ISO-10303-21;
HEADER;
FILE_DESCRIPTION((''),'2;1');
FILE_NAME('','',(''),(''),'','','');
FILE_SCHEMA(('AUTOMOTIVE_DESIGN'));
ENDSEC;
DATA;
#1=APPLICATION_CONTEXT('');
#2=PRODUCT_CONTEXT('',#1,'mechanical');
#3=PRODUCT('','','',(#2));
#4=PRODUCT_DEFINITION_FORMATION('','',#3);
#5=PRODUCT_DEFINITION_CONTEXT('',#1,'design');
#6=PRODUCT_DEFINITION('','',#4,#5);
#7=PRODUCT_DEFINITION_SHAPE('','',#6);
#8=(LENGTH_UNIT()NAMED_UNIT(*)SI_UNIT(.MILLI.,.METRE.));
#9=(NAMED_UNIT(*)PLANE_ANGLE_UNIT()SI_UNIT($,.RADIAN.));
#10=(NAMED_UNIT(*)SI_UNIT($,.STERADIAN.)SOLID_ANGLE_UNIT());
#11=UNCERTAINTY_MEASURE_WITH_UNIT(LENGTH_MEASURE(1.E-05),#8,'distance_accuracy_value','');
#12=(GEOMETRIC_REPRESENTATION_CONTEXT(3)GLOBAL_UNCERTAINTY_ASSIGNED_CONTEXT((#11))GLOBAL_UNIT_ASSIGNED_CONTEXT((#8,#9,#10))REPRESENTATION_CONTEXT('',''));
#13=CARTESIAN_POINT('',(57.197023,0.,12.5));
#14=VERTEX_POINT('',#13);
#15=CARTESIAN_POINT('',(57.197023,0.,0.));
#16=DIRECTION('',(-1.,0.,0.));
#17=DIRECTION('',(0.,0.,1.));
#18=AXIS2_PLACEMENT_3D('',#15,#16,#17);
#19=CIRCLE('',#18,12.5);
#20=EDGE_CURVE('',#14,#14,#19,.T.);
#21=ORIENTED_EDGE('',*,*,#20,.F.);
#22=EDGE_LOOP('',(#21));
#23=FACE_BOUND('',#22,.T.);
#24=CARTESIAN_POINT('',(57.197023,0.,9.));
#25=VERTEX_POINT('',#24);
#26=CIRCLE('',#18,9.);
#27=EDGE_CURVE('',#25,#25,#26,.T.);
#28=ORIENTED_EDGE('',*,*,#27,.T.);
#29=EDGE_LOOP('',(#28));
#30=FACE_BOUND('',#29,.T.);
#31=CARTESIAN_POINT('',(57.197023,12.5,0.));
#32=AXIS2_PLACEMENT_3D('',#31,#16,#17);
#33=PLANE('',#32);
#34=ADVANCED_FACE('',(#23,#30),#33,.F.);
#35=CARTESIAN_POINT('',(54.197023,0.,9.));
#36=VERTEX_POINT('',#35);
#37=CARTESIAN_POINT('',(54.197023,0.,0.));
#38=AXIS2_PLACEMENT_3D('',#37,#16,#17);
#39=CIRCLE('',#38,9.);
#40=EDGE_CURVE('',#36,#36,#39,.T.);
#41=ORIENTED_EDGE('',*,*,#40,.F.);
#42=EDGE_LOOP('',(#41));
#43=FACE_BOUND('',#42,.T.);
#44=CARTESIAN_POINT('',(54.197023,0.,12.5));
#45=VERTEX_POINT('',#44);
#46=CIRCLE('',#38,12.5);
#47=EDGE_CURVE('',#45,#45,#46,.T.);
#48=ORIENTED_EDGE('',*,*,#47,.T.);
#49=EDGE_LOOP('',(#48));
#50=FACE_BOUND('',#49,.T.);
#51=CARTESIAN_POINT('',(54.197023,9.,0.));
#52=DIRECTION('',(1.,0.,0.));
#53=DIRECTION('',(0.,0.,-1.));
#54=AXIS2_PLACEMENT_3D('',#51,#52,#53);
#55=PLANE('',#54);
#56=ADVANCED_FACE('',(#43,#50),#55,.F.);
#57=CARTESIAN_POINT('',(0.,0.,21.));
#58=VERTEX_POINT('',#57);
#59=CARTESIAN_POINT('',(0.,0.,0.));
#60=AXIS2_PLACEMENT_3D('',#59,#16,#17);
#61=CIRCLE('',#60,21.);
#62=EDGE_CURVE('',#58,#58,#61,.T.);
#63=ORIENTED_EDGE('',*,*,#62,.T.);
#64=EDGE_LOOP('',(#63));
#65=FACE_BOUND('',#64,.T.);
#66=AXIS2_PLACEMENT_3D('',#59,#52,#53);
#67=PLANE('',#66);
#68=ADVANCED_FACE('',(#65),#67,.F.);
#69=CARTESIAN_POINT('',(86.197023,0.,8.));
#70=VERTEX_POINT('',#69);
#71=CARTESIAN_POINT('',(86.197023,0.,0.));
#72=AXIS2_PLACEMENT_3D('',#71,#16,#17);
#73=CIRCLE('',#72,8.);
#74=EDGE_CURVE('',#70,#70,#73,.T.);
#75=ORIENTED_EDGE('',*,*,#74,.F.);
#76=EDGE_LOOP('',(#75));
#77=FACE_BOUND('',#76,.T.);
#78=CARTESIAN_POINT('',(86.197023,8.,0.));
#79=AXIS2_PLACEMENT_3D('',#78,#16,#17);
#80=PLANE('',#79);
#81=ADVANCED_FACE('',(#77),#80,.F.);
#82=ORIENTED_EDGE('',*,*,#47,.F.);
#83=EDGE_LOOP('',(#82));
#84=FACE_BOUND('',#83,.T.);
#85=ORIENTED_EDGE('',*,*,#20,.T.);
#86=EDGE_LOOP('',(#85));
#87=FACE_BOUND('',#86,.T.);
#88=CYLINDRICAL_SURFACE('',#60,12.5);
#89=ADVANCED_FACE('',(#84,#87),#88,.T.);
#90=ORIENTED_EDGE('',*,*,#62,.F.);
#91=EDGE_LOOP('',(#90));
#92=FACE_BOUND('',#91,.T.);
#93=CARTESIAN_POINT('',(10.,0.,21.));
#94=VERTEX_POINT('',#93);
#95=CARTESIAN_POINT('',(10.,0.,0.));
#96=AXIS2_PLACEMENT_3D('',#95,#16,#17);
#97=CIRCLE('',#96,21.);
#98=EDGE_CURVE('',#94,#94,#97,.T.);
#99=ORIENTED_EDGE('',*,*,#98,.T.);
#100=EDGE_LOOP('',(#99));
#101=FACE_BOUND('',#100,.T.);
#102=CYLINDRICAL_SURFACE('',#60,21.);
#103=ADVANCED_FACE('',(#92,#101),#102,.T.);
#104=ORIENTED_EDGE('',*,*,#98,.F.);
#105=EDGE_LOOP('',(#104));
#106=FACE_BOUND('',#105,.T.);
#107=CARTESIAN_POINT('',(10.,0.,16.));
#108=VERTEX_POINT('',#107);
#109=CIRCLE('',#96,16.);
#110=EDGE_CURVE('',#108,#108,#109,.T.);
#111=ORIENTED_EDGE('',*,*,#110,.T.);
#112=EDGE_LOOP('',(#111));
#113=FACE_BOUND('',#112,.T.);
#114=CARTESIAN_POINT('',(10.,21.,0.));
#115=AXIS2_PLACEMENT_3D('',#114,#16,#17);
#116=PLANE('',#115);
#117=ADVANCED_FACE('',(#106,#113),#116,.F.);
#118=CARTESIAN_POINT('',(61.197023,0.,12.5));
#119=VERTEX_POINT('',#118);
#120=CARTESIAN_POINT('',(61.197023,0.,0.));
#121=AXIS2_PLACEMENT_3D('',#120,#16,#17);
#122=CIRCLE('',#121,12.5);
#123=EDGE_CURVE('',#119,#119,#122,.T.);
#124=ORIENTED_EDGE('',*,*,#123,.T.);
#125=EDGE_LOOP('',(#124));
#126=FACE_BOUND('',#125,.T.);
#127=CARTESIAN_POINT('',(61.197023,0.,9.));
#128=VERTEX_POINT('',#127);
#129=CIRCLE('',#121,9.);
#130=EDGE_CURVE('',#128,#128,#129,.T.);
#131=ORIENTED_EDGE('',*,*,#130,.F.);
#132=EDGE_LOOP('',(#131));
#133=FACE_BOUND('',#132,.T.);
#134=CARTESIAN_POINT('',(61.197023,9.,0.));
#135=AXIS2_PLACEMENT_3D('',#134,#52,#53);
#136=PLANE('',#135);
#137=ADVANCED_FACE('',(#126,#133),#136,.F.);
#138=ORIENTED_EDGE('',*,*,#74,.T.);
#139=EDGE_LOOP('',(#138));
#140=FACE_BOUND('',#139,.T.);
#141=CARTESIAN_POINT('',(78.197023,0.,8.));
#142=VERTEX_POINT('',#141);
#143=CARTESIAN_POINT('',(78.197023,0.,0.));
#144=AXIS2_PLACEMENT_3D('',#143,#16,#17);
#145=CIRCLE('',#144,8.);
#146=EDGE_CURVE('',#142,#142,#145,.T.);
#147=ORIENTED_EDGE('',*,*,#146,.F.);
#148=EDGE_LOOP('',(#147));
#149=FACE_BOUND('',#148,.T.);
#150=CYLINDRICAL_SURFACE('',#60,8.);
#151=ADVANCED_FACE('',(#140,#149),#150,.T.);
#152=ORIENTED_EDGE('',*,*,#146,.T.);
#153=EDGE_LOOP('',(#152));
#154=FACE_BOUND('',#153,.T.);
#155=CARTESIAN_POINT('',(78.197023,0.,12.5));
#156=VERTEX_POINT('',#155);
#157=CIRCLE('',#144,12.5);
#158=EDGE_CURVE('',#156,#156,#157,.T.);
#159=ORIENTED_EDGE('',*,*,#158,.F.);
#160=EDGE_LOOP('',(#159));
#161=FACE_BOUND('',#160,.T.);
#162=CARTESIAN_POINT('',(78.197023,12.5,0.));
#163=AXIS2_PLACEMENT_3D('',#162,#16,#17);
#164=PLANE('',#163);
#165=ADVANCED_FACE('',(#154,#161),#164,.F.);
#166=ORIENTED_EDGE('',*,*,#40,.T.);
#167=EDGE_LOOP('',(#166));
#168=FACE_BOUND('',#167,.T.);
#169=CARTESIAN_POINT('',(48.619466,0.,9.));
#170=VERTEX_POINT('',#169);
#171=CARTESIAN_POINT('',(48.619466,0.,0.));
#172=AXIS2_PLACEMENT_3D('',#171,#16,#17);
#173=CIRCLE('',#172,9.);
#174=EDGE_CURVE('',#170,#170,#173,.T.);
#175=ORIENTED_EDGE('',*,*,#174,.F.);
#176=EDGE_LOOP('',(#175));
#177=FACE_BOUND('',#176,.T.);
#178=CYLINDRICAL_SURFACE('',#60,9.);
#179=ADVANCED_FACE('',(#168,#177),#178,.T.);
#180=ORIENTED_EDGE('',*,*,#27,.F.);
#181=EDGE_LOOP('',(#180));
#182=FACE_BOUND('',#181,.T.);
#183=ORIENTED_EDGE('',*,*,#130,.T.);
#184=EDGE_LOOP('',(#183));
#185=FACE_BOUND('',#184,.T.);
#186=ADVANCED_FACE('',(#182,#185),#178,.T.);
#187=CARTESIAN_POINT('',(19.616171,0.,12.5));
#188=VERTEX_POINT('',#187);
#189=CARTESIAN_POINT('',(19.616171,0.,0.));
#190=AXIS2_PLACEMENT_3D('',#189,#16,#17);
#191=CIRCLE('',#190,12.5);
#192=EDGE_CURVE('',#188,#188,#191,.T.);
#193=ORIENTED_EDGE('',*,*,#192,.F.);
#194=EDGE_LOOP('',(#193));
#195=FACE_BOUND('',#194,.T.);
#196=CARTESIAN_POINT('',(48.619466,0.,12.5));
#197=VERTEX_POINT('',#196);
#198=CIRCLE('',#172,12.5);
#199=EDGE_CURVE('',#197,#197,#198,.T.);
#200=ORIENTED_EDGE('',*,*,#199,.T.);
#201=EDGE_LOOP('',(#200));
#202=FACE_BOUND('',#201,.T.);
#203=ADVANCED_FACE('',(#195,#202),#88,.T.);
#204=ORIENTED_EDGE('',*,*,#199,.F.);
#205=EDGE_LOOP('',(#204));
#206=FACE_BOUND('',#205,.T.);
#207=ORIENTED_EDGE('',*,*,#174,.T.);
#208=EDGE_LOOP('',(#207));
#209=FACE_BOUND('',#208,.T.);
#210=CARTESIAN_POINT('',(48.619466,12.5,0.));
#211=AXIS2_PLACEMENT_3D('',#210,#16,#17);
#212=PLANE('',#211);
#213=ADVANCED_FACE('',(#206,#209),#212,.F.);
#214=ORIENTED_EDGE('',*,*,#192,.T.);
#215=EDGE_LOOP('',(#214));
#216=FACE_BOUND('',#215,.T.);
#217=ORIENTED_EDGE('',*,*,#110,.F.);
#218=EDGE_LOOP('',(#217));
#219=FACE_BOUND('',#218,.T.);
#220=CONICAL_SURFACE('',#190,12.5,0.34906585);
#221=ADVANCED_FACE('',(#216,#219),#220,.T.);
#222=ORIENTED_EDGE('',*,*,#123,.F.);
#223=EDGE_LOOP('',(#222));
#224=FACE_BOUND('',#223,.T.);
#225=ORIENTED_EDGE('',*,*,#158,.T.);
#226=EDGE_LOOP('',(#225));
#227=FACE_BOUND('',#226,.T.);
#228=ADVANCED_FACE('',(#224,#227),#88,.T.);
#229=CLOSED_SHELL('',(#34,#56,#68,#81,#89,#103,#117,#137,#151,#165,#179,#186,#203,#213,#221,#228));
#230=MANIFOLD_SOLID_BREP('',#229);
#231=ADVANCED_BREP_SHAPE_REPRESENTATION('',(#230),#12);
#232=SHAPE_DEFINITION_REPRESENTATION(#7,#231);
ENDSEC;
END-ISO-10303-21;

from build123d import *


with BuildPart() as part:
    # Sketch1 → Revolve1 (revolve)
    with BuildSketch(Plane.XY, mode=Mode.PRIVATE) as revolve1_sk:
        Polygon((0, 0), (0, 21), (10, 21), (10, 16), (19.616170968, 12.5), (48.619466381, 12.5), (48.619466381, 9), (54.197023191, 9), (54.197023191, 12.5), (57.197023191, 12.5), (57.197023191, 9), (61.197023191, 9), (61.197023191, 12.5), (78.197023191, 12.5), (78.197023191, 8), (86.197023191, 8), (86.197023191, 0), align=None)
    revolve(revolve1_sk.sketch.rotate(Axis((0, 0, 0), (1, 0, 0)), 90), axis=Axis((0, 0, 0), (1, 0, 0)))


solid = part.part
